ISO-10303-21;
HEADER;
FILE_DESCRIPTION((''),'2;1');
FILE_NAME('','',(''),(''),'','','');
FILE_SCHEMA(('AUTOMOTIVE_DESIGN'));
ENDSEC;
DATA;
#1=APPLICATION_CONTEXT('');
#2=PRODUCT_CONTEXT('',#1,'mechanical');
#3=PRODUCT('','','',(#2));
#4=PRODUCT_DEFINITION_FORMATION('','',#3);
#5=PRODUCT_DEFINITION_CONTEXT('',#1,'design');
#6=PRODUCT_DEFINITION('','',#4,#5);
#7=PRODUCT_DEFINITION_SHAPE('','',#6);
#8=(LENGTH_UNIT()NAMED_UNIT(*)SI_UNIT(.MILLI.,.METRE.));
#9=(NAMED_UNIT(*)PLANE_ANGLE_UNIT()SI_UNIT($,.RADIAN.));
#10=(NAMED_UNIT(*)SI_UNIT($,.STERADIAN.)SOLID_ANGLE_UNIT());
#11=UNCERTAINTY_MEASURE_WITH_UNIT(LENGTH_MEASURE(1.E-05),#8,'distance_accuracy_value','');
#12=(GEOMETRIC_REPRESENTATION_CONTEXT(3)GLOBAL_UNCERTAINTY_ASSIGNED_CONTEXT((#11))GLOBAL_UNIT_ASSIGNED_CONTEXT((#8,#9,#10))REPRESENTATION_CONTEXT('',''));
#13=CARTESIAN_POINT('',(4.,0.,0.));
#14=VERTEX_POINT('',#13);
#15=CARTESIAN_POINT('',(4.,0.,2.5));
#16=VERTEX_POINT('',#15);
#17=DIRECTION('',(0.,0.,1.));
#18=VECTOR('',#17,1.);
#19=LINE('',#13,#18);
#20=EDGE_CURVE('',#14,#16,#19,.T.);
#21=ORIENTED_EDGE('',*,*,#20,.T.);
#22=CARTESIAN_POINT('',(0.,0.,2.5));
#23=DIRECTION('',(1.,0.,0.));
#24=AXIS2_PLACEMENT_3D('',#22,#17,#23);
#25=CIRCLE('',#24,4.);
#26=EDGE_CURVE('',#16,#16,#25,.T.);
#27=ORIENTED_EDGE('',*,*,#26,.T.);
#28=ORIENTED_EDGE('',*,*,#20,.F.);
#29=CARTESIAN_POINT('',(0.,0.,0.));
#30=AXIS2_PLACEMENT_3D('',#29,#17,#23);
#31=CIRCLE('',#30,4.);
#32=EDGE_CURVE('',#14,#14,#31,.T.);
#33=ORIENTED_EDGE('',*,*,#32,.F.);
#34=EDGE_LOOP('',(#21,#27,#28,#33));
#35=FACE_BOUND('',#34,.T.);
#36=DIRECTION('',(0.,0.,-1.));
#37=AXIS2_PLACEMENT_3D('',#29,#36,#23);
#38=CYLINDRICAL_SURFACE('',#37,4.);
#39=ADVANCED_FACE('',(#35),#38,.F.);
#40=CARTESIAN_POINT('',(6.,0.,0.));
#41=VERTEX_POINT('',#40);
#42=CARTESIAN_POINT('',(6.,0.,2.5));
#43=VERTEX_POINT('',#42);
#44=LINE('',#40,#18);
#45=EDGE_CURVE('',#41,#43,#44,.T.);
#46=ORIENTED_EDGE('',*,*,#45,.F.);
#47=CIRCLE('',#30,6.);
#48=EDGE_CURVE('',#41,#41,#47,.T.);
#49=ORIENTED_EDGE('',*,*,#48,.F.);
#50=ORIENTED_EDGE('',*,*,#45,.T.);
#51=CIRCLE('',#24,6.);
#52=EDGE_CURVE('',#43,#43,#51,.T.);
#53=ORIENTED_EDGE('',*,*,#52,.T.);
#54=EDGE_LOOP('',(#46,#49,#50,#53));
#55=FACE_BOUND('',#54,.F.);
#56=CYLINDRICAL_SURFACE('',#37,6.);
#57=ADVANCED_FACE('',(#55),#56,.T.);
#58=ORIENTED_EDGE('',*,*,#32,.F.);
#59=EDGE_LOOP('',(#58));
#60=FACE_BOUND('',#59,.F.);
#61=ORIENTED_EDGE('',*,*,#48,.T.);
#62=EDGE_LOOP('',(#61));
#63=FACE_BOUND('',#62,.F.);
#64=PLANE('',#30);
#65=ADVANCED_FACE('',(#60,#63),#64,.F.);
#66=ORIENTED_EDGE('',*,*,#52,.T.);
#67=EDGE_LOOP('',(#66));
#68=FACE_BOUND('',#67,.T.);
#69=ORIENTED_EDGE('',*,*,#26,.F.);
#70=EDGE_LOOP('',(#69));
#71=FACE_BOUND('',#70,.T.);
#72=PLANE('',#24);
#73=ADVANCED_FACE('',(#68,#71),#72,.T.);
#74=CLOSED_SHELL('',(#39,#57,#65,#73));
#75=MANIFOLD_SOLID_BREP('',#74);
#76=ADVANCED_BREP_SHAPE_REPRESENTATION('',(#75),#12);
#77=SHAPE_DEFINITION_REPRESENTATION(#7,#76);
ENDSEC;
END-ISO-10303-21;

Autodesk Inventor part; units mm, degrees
ref_plane "YZ Plane" through (0, 0, 0) normal (1, 0, 0) x (0, 1, 0)
ref_plane "XZ Plane" through (0, 0, 0) normal (0, 1, 0) x (-1, 0, 0)
ref_plane "XY Plane" through (0, 0, 0) normal (0, 0, 1) x (1, 0, 0)
sketch "Sketch1" plane through (0, 0, 0) normal (0, 0, 1) x (1, 0, 0)
  circle A0 centre (0, 0) radius 4
  circle A1 centre (0, 0) radius 6
  dimension "d0" = 8
  dimension "d1" = 12
extrude "Extrusion1" add sketch "Sketch1" along normal blind 2.5
properties part number "roulement 8 x 12 x 2.5"
